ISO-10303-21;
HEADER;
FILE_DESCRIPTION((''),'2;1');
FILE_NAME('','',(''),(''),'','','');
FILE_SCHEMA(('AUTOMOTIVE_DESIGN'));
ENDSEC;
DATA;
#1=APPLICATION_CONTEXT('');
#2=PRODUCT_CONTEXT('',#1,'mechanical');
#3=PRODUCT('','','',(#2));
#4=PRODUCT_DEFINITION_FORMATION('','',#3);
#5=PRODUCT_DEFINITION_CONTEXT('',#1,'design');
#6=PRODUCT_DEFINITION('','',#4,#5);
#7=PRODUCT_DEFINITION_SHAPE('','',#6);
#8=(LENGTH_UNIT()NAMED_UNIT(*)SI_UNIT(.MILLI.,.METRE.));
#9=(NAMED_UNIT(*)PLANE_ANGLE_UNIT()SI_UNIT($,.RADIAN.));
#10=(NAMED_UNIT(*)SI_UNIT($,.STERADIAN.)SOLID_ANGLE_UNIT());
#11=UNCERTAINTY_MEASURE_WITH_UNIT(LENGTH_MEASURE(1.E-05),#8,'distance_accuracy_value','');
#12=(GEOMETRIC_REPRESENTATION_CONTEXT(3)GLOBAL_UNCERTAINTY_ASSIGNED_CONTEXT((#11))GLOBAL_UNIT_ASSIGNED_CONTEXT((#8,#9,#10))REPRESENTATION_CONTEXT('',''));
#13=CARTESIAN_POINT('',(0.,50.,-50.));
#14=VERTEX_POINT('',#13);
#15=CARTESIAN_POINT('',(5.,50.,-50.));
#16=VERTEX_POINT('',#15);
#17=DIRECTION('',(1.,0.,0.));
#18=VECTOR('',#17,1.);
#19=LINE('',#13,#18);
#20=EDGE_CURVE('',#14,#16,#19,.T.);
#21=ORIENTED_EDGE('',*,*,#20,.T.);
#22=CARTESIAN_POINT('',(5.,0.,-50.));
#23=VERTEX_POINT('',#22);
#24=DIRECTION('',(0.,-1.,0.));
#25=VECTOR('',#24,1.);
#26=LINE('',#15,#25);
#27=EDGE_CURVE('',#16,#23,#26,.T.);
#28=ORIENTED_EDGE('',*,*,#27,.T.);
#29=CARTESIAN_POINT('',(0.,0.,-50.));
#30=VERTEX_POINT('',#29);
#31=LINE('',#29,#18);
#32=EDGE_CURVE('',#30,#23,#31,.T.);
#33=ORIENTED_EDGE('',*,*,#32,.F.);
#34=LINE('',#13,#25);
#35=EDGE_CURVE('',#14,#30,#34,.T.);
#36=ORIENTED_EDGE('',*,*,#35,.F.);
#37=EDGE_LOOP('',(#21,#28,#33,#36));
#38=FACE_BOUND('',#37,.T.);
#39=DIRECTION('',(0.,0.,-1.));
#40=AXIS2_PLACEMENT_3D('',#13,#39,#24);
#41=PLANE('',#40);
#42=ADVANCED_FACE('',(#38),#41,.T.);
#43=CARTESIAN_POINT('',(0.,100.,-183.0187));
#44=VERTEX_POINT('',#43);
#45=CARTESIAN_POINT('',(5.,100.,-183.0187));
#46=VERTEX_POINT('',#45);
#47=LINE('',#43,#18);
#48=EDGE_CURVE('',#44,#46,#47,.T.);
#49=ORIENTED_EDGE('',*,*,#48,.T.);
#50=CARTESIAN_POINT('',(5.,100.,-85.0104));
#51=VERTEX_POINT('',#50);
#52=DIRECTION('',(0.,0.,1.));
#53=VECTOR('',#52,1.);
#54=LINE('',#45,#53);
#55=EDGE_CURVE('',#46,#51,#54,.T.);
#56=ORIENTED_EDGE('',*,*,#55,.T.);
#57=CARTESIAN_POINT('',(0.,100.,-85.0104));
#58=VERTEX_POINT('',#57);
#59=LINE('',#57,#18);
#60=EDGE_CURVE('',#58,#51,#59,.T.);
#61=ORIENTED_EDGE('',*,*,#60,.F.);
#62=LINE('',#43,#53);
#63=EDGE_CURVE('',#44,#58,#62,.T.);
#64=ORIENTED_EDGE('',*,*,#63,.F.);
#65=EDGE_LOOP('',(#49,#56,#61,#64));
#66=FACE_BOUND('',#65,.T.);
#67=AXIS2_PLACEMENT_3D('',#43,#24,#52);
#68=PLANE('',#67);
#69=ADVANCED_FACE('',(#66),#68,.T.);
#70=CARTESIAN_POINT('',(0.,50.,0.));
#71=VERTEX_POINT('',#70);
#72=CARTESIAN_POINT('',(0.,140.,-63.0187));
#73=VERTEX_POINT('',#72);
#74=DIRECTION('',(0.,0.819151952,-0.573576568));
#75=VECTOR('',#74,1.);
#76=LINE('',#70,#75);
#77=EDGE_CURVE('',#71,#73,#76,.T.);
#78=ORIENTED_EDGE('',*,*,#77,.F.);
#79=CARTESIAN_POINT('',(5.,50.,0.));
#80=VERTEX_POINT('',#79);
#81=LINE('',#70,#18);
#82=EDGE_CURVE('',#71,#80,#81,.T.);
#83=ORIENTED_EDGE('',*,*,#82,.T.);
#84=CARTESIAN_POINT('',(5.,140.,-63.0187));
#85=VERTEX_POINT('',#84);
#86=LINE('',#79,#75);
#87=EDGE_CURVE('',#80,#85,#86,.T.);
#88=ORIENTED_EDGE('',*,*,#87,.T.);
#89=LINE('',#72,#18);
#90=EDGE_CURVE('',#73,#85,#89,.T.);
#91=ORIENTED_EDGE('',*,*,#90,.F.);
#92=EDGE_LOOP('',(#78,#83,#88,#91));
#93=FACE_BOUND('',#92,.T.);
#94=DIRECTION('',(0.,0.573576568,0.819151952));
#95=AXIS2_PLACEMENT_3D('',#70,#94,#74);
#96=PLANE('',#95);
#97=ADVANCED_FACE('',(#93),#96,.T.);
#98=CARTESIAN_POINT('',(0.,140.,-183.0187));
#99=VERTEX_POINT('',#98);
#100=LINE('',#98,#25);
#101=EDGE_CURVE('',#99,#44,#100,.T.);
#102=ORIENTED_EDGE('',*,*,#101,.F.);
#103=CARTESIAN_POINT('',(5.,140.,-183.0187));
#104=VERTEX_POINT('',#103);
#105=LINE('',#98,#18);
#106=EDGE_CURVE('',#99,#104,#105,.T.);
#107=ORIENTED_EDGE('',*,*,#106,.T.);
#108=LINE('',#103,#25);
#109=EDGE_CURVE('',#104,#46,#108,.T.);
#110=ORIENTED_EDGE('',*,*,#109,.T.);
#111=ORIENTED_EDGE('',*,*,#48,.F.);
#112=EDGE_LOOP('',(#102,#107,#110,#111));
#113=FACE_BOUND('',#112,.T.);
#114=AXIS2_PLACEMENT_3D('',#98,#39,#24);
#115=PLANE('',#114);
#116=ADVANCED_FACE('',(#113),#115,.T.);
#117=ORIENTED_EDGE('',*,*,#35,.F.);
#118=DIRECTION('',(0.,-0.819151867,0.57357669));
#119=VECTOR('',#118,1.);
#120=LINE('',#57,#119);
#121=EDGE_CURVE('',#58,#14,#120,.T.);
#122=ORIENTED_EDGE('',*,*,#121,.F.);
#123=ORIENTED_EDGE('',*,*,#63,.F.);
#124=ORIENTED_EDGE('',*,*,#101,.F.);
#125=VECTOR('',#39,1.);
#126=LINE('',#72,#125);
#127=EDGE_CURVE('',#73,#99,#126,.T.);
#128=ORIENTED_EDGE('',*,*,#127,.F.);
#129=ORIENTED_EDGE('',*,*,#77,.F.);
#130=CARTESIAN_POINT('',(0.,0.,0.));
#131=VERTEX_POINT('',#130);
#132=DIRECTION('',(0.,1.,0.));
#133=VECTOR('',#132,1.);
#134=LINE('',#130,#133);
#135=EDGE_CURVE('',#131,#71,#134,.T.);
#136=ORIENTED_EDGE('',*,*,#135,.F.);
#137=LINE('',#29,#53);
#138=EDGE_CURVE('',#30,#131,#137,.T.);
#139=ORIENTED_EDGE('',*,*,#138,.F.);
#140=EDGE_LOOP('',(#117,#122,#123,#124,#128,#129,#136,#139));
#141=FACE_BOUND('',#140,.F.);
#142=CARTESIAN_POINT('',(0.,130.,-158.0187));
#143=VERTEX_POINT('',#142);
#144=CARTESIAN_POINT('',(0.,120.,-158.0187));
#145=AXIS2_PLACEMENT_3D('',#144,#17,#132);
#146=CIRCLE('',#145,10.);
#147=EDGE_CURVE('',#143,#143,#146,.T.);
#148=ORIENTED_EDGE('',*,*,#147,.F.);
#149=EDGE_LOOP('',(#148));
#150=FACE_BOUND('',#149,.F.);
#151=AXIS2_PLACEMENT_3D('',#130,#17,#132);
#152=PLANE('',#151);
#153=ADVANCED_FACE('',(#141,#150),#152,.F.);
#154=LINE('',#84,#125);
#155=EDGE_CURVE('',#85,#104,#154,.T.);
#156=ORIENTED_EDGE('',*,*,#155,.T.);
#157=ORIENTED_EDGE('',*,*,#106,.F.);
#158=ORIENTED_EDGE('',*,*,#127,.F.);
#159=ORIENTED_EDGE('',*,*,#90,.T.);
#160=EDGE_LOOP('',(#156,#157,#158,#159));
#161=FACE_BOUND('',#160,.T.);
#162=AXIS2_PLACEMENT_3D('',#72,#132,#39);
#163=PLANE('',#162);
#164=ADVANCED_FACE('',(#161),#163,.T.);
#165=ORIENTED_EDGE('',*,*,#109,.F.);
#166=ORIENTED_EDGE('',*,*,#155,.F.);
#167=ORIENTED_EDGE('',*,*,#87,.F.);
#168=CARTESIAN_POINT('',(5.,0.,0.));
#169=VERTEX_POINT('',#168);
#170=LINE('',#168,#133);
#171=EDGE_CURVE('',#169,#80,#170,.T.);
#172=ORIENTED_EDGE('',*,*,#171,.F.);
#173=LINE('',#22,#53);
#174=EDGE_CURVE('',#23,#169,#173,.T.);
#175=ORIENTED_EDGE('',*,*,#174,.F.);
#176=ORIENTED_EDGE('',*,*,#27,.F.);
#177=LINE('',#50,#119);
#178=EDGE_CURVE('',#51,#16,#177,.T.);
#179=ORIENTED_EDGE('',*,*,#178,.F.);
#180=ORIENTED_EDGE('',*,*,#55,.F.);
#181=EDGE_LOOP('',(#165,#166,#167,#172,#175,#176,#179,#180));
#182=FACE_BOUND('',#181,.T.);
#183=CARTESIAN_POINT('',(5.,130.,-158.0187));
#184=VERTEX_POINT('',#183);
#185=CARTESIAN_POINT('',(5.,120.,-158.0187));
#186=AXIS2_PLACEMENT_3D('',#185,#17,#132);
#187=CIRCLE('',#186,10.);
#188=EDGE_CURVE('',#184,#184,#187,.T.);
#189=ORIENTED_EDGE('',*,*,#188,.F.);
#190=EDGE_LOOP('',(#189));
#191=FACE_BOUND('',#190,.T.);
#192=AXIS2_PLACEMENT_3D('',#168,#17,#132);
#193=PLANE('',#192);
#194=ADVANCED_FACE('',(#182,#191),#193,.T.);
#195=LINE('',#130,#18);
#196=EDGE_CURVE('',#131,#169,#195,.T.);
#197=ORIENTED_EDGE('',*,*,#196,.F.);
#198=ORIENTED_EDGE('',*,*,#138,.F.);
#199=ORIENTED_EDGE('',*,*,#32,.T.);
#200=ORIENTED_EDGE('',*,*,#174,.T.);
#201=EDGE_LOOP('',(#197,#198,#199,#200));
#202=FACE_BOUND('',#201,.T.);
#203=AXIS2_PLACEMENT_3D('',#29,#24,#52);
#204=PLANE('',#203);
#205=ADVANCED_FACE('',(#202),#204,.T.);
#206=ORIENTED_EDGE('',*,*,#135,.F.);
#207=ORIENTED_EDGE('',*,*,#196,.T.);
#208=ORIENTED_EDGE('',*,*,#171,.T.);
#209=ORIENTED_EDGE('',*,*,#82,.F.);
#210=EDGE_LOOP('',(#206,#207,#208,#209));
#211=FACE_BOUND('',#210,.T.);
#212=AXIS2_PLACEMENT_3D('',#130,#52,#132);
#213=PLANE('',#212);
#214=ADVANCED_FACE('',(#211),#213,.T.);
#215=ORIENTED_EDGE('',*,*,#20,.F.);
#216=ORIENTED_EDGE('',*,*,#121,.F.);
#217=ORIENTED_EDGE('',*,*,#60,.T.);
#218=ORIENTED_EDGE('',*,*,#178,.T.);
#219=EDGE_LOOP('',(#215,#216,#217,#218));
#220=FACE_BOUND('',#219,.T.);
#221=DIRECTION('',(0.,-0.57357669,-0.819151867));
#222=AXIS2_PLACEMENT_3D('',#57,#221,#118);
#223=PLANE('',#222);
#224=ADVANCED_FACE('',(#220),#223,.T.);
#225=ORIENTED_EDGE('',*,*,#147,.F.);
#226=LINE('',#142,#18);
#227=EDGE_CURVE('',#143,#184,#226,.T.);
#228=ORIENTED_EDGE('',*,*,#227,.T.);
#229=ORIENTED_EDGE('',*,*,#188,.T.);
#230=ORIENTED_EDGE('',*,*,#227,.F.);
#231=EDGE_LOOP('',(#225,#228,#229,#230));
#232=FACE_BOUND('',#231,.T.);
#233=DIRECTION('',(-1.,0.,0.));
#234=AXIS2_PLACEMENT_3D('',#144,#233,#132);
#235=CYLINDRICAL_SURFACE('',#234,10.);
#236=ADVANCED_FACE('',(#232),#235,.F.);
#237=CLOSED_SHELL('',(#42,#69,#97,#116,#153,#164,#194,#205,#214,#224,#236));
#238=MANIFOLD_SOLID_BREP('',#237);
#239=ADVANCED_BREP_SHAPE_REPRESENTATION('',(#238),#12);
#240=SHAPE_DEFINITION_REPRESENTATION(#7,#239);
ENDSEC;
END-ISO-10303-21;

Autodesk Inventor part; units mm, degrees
ref_plane "YZ Plane" through (0, 0, 0) normal (1, 0, 0) x (0, 1, 0)
ref_plane "XZ Plane" through (0, 0, 0) normal (0, 1, 0) x (-1, 0, 0)
ref_plane "XY Plane" through (0, 0, 0) normal (0, 0, 1) x (1, 0, 0)
sketch "Boceto1" plane through (0, 0, 0) normal (1, 0, 0) x (0, 1, 0)
  line L0 (0, 0) -> (50, 0)
  line L1 (50, 0) -> (50, -50)
  line L2 (50, -50) -> (0, -50)
  line L3 (0, -50) -> (0, 0)
  line L4 (50, 0) -> (140, -63.0187)
  line L5 (140, -63.0187) -> (140, -183.0187)
  line L6 (140, -183.0187) -> (100, -183.0187)
  line L7 (100, -183.0187) -> (100, -85.0104)
  line L8 (100, -85.0104) -> (50, -50)
  circle A0 centre (120, -158.0187) radius 10
  point P0 (120, -183.0187)
  dimension "d0" = 50
  dimension "d1" = 50
  dimension "d2" = 120
  dimension "d3" = 40
  dimension "d4" = 55
  dimension "d5" = 20
  dimension "d6" = 25
  dimension "d9" = 50
extrude "Extrusión1" add sketch "Boceto1" along normal blind 5
